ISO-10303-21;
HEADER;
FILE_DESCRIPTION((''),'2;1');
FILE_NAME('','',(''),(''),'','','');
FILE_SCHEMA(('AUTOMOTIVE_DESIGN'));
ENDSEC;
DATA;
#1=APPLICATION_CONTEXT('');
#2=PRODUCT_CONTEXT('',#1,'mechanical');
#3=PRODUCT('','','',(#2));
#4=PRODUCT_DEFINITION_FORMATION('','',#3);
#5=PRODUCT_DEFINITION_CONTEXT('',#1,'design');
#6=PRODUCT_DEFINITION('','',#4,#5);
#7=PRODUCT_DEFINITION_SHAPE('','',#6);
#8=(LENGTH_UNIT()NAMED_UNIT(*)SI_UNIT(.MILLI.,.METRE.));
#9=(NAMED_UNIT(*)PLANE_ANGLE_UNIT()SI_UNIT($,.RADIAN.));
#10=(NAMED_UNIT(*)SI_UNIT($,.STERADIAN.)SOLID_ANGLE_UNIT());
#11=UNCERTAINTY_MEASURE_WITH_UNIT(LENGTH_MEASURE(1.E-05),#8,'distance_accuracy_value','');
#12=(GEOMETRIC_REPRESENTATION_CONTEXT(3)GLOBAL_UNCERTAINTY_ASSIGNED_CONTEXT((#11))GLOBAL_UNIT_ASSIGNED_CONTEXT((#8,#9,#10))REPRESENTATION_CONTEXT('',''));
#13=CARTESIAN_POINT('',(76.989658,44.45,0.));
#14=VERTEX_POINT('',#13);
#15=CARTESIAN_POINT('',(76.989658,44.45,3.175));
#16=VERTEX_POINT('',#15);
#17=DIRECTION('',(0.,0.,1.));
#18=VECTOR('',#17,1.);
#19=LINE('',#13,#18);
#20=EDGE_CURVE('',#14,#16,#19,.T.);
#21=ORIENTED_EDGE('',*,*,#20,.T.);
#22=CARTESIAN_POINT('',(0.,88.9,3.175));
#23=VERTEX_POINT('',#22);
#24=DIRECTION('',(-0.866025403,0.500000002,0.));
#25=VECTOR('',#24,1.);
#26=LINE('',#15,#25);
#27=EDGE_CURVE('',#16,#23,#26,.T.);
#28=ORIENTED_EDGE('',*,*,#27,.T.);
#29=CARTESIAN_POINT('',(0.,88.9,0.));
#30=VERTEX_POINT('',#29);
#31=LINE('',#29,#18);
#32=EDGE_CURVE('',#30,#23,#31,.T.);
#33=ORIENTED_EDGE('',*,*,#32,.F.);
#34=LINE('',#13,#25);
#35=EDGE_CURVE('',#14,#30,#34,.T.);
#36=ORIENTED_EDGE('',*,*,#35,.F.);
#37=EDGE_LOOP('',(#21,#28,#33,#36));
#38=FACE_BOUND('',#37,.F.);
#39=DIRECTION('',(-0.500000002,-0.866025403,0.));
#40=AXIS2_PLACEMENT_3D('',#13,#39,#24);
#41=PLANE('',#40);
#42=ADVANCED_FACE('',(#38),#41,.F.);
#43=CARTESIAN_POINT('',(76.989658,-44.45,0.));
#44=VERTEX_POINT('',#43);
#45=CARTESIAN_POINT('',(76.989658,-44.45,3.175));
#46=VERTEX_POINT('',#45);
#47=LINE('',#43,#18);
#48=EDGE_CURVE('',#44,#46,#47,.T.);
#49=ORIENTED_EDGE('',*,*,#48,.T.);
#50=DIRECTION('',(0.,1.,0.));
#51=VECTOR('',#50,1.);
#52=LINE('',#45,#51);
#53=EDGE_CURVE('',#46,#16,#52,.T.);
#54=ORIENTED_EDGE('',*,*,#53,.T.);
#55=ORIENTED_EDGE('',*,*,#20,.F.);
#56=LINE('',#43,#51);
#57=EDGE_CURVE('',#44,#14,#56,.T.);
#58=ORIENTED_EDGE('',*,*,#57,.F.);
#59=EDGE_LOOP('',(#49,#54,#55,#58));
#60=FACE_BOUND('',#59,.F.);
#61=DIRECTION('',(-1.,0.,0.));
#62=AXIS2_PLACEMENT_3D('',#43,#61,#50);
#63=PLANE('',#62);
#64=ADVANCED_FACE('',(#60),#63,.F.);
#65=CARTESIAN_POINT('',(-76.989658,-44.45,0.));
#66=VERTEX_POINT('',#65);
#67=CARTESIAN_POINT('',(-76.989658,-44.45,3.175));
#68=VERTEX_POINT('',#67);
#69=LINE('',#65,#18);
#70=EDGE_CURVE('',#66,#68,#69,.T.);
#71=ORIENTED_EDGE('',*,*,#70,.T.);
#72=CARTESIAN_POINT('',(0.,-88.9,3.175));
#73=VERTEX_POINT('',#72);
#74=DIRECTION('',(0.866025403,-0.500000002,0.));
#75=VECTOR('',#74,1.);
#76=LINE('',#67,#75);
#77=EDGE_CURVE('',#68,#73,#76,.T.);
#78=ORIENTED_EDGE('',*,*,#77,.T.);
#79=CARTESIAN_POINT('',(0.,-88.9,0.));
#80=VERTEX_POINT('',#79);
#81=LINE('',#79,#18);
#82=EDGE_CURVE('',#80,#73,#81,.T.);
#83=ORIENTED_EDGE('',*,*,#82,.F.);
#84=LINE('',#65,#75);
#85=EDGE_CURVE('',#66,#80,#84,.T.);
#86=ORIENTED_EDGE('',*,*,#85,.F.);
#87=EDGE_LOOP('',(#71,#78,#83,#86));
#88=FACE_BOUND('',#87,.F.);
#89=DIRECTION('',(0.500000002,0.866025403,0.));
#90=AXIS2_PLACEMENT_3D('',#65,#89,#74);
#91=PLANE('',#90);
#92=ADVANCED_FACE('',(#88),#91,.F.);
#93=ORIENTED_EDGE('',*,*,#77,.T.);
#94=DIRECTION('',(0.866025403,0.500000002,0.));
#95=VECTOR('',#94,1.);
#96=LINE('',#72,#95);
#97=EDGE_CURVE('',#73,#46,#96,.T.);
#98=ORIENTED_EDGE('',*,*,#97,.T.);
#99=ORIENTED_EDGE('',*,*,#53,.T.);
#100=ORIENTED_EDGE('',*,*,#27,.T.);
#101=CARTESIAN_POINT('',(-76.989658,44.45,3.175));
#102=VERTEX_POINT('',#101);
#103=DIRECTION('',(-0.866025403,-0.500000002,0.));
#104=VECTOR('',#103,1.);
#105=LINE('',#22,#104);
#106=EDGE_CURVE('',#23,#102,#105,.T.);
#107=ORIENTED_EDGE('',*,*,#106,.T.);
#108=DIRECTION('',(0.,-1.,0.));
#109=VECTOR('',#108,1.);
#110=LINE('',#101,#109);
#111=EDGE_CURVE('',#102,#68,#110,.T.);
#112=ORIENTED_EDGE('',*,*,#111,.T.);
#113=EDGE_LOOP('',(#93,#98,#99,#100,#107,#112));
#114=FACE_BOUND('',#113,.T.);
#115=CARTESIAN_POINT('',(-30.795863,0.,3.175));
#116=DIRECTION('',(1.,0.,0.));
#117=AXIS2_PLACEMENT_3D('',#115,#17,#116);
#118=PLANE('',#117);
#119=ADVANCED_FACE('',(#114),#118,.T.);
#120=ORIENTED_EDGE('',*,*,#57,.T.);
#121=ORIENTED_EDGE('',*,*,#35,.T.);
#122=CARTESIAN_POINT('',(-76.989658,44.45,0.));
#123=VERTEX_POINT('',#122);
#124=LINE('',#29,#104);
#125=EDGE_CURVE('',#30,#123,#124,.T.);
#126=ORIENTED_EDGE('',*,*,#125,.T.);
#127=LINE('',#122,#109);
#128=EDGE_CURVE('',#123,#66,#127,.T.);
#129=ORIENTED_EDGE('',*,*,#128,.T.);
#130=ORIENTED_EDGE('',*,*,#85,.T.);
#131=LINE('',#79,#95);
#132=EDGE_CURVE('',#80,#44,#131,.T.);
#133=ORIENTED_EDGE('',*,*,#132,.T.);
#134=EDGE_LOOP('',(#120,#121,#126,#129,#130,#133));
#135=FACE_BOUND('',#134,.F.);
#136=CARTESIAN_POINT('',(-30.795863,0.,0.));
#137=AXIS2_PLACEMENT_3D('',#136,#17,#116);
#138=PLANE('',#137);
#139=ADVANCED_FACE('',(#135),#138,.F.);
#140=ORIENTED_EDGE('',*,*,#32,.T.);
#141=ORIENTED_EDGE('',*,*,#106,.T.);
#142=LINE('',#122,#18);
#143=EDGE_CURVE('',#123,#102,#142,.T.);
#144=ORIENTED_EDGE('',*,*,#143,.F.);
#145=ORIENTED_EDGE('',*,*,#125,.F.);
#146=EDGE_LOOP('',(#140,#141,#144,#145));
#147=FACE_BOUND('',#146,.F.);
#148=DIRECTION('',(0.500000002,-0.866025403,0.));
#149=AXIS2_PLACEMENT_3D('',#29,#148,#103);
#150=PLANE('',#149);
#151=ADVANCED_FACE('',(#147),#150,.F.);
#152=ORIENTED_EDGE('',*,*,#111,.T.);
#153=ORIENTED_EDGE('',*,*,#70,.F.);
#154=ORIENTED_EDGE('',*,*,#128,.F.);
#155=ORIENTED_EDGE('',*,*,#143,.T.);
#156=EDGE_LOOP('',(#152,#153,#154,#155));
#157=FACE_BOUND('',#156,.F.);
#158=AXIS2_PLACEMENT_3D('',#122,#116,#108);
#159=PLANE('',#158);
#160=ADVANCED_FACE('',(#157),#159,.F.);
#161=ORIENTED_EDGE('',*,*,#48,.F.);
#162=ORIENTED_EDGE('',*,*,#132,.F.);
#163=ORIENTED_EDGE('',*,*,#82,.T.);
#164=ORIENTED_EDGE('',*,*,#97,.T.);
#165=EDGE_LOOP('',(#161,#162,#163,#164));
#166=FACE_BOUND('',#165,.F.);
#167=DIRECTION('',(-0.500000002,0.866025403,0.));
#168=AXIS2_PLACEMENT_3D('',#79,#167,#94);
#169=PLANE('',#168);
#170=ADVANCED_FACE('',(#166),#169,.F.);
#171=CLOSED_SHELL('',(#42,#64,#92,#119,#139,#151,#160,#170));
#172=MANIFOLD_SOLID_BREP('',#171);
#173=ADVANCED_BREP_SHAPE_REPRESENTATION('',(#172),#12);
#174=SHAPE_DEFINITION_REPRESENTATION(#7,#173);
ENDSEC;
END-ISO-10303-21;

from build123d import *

# Parameters (mm, degrees)
F1_DEPTH = 3.175


with BuildPart() as f1:
    # F0 (on Top) → F1 (new body)
    with BuildSketch(Plane.XY):
        Polygon((0, -88.9), (0, 0), (0, 88.9), (-76.989658, 44.45), (-76.989658, -44.45), align=None)
        Polygon((0, 88.9), (0, 0), (0, -88.9), (76.989658, -44.45), (76.989658, 0), (76.989658, 44.45), align=None)
    extrude(amount=F1_DEPTH)


solid = f1.part
